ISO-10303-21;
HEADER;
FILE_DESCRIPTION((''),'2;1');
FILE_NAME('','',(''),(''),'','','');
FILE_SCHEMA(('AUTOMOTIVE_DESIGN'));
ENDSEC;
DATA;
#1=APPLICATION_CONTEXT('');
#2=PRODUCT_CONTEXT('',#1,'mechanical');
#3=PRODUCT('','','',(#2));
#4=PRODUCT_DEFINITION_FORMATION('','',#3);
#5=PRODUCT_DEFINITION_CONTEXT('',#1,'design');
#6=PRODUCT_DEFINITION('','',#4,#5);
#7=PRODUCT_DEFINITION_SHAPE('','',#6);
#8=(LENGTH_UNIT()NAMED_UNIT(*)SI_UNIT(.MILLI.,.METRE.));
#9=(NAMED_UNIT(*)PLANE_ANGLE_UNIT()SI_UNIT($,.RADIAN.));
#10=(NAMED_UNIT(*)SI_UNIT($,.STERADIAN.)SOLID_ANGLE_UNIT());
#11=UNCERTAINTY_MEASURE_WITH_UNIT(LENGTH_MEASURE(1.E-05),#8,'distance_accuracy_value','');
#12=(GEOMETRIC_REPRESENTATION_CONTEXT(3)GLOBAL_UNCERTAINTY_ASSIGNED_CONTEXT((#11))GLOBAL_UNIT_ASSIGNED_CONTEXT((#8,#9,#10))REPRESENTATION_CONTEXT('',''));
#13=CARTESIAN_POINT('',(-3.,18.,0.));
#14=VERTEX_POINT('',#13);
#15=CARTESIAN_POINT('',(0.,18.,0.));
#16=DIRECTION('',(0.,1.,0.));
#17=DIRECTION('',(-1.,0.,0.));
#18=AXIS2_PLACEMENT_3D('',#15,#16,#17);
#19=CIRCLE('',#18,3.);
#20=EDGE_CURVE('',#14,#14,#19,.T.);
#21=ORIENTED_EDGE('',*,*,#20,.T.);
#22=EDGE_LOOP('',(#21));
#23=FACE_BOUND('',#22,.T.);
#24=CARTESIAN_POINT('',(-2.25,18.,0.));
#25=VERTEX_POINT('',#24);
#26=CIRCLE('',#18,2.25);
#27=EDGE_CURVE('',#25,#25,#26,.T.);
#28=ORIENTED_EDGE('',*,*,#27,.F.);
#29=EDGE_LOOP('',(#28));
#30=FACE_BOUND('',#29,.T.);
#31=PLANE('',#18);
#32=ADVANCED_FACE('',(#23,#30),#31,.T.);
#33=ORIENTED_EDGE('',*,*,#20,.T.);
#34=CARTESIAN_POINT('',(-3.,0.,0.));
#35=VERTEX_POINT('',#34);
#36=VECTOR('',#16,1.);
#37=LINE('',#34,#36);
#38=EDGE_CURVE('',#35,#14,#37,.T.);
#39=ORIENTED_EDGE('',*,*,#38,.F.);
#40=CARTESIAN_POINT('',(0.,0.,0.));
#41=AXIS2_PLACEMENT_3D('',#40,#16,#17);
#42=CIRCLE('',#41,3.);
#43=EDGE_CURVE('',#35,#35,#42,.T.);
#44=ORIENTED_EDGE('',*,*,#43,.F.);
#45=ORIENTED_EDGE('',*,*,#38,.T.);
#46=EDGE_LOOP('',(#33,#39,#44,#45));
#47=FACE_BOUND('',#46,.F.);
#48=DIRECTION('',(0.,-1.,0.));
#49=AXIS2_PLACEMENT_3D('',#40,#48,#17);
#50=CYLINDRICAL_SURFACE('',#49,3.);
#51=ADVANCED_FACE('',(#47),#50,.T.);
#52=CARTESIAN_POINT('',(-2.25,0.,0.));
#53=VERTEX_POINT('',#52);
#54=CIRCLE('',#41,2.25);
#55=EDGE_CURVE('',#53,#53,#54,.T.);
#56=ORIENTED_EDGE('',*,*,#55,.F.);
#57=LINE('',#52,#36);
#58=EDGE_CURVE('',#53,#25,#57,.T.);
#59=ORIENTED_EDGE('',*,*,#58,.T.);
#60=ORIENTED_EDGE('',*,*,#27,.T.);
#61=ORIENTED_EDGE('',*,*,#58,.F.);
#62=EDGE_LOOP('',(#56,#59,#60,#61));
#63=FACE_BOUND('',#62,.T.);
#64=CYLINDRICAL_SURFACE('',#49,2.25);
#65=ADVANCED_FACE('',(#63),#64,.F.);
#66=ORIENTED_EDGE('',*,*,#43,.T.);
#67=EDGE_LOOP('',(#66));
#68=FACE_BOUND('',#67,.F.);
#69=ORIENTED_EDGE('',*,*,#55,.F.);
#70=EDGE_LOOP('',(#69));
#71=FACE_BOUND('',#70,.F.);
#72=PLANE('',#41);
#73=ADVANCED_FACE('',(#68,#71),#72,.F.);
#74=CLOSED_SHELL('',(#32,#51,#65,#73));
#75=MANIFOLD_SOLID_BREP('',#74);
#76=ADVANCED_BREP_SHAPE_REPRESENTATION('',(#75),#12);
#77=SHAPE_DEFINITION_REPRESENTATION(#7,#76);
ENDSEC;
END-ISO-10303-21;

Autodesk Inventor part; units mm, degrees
ref_plane "YZ Plane" through (0, 0, 0) normal (1, 0, 0) x (0, 1, 0)
ref_plane "XZ Plane" through (0, 0, 0) normal (0, 1, 0) x (-1, 0, 0)
ref_plane "XY Plane" through (0, 0, 0) normal (0, 0, 1) x (1, 0, 0)
sketch "Skizze1" plane through (0, 0, 0) normal (0, 1, 0) x (-1, 0, 0)
  circle A0 centre (0, 0) radius 3
  circle A1 centre (0, 0) radius 2.25
  dimension "d0" = 6
  dimension "d1" = 4.5
extrude "Extrusion1" add sketch "Skizze1" along normal blind 18
properties part number "1083"
